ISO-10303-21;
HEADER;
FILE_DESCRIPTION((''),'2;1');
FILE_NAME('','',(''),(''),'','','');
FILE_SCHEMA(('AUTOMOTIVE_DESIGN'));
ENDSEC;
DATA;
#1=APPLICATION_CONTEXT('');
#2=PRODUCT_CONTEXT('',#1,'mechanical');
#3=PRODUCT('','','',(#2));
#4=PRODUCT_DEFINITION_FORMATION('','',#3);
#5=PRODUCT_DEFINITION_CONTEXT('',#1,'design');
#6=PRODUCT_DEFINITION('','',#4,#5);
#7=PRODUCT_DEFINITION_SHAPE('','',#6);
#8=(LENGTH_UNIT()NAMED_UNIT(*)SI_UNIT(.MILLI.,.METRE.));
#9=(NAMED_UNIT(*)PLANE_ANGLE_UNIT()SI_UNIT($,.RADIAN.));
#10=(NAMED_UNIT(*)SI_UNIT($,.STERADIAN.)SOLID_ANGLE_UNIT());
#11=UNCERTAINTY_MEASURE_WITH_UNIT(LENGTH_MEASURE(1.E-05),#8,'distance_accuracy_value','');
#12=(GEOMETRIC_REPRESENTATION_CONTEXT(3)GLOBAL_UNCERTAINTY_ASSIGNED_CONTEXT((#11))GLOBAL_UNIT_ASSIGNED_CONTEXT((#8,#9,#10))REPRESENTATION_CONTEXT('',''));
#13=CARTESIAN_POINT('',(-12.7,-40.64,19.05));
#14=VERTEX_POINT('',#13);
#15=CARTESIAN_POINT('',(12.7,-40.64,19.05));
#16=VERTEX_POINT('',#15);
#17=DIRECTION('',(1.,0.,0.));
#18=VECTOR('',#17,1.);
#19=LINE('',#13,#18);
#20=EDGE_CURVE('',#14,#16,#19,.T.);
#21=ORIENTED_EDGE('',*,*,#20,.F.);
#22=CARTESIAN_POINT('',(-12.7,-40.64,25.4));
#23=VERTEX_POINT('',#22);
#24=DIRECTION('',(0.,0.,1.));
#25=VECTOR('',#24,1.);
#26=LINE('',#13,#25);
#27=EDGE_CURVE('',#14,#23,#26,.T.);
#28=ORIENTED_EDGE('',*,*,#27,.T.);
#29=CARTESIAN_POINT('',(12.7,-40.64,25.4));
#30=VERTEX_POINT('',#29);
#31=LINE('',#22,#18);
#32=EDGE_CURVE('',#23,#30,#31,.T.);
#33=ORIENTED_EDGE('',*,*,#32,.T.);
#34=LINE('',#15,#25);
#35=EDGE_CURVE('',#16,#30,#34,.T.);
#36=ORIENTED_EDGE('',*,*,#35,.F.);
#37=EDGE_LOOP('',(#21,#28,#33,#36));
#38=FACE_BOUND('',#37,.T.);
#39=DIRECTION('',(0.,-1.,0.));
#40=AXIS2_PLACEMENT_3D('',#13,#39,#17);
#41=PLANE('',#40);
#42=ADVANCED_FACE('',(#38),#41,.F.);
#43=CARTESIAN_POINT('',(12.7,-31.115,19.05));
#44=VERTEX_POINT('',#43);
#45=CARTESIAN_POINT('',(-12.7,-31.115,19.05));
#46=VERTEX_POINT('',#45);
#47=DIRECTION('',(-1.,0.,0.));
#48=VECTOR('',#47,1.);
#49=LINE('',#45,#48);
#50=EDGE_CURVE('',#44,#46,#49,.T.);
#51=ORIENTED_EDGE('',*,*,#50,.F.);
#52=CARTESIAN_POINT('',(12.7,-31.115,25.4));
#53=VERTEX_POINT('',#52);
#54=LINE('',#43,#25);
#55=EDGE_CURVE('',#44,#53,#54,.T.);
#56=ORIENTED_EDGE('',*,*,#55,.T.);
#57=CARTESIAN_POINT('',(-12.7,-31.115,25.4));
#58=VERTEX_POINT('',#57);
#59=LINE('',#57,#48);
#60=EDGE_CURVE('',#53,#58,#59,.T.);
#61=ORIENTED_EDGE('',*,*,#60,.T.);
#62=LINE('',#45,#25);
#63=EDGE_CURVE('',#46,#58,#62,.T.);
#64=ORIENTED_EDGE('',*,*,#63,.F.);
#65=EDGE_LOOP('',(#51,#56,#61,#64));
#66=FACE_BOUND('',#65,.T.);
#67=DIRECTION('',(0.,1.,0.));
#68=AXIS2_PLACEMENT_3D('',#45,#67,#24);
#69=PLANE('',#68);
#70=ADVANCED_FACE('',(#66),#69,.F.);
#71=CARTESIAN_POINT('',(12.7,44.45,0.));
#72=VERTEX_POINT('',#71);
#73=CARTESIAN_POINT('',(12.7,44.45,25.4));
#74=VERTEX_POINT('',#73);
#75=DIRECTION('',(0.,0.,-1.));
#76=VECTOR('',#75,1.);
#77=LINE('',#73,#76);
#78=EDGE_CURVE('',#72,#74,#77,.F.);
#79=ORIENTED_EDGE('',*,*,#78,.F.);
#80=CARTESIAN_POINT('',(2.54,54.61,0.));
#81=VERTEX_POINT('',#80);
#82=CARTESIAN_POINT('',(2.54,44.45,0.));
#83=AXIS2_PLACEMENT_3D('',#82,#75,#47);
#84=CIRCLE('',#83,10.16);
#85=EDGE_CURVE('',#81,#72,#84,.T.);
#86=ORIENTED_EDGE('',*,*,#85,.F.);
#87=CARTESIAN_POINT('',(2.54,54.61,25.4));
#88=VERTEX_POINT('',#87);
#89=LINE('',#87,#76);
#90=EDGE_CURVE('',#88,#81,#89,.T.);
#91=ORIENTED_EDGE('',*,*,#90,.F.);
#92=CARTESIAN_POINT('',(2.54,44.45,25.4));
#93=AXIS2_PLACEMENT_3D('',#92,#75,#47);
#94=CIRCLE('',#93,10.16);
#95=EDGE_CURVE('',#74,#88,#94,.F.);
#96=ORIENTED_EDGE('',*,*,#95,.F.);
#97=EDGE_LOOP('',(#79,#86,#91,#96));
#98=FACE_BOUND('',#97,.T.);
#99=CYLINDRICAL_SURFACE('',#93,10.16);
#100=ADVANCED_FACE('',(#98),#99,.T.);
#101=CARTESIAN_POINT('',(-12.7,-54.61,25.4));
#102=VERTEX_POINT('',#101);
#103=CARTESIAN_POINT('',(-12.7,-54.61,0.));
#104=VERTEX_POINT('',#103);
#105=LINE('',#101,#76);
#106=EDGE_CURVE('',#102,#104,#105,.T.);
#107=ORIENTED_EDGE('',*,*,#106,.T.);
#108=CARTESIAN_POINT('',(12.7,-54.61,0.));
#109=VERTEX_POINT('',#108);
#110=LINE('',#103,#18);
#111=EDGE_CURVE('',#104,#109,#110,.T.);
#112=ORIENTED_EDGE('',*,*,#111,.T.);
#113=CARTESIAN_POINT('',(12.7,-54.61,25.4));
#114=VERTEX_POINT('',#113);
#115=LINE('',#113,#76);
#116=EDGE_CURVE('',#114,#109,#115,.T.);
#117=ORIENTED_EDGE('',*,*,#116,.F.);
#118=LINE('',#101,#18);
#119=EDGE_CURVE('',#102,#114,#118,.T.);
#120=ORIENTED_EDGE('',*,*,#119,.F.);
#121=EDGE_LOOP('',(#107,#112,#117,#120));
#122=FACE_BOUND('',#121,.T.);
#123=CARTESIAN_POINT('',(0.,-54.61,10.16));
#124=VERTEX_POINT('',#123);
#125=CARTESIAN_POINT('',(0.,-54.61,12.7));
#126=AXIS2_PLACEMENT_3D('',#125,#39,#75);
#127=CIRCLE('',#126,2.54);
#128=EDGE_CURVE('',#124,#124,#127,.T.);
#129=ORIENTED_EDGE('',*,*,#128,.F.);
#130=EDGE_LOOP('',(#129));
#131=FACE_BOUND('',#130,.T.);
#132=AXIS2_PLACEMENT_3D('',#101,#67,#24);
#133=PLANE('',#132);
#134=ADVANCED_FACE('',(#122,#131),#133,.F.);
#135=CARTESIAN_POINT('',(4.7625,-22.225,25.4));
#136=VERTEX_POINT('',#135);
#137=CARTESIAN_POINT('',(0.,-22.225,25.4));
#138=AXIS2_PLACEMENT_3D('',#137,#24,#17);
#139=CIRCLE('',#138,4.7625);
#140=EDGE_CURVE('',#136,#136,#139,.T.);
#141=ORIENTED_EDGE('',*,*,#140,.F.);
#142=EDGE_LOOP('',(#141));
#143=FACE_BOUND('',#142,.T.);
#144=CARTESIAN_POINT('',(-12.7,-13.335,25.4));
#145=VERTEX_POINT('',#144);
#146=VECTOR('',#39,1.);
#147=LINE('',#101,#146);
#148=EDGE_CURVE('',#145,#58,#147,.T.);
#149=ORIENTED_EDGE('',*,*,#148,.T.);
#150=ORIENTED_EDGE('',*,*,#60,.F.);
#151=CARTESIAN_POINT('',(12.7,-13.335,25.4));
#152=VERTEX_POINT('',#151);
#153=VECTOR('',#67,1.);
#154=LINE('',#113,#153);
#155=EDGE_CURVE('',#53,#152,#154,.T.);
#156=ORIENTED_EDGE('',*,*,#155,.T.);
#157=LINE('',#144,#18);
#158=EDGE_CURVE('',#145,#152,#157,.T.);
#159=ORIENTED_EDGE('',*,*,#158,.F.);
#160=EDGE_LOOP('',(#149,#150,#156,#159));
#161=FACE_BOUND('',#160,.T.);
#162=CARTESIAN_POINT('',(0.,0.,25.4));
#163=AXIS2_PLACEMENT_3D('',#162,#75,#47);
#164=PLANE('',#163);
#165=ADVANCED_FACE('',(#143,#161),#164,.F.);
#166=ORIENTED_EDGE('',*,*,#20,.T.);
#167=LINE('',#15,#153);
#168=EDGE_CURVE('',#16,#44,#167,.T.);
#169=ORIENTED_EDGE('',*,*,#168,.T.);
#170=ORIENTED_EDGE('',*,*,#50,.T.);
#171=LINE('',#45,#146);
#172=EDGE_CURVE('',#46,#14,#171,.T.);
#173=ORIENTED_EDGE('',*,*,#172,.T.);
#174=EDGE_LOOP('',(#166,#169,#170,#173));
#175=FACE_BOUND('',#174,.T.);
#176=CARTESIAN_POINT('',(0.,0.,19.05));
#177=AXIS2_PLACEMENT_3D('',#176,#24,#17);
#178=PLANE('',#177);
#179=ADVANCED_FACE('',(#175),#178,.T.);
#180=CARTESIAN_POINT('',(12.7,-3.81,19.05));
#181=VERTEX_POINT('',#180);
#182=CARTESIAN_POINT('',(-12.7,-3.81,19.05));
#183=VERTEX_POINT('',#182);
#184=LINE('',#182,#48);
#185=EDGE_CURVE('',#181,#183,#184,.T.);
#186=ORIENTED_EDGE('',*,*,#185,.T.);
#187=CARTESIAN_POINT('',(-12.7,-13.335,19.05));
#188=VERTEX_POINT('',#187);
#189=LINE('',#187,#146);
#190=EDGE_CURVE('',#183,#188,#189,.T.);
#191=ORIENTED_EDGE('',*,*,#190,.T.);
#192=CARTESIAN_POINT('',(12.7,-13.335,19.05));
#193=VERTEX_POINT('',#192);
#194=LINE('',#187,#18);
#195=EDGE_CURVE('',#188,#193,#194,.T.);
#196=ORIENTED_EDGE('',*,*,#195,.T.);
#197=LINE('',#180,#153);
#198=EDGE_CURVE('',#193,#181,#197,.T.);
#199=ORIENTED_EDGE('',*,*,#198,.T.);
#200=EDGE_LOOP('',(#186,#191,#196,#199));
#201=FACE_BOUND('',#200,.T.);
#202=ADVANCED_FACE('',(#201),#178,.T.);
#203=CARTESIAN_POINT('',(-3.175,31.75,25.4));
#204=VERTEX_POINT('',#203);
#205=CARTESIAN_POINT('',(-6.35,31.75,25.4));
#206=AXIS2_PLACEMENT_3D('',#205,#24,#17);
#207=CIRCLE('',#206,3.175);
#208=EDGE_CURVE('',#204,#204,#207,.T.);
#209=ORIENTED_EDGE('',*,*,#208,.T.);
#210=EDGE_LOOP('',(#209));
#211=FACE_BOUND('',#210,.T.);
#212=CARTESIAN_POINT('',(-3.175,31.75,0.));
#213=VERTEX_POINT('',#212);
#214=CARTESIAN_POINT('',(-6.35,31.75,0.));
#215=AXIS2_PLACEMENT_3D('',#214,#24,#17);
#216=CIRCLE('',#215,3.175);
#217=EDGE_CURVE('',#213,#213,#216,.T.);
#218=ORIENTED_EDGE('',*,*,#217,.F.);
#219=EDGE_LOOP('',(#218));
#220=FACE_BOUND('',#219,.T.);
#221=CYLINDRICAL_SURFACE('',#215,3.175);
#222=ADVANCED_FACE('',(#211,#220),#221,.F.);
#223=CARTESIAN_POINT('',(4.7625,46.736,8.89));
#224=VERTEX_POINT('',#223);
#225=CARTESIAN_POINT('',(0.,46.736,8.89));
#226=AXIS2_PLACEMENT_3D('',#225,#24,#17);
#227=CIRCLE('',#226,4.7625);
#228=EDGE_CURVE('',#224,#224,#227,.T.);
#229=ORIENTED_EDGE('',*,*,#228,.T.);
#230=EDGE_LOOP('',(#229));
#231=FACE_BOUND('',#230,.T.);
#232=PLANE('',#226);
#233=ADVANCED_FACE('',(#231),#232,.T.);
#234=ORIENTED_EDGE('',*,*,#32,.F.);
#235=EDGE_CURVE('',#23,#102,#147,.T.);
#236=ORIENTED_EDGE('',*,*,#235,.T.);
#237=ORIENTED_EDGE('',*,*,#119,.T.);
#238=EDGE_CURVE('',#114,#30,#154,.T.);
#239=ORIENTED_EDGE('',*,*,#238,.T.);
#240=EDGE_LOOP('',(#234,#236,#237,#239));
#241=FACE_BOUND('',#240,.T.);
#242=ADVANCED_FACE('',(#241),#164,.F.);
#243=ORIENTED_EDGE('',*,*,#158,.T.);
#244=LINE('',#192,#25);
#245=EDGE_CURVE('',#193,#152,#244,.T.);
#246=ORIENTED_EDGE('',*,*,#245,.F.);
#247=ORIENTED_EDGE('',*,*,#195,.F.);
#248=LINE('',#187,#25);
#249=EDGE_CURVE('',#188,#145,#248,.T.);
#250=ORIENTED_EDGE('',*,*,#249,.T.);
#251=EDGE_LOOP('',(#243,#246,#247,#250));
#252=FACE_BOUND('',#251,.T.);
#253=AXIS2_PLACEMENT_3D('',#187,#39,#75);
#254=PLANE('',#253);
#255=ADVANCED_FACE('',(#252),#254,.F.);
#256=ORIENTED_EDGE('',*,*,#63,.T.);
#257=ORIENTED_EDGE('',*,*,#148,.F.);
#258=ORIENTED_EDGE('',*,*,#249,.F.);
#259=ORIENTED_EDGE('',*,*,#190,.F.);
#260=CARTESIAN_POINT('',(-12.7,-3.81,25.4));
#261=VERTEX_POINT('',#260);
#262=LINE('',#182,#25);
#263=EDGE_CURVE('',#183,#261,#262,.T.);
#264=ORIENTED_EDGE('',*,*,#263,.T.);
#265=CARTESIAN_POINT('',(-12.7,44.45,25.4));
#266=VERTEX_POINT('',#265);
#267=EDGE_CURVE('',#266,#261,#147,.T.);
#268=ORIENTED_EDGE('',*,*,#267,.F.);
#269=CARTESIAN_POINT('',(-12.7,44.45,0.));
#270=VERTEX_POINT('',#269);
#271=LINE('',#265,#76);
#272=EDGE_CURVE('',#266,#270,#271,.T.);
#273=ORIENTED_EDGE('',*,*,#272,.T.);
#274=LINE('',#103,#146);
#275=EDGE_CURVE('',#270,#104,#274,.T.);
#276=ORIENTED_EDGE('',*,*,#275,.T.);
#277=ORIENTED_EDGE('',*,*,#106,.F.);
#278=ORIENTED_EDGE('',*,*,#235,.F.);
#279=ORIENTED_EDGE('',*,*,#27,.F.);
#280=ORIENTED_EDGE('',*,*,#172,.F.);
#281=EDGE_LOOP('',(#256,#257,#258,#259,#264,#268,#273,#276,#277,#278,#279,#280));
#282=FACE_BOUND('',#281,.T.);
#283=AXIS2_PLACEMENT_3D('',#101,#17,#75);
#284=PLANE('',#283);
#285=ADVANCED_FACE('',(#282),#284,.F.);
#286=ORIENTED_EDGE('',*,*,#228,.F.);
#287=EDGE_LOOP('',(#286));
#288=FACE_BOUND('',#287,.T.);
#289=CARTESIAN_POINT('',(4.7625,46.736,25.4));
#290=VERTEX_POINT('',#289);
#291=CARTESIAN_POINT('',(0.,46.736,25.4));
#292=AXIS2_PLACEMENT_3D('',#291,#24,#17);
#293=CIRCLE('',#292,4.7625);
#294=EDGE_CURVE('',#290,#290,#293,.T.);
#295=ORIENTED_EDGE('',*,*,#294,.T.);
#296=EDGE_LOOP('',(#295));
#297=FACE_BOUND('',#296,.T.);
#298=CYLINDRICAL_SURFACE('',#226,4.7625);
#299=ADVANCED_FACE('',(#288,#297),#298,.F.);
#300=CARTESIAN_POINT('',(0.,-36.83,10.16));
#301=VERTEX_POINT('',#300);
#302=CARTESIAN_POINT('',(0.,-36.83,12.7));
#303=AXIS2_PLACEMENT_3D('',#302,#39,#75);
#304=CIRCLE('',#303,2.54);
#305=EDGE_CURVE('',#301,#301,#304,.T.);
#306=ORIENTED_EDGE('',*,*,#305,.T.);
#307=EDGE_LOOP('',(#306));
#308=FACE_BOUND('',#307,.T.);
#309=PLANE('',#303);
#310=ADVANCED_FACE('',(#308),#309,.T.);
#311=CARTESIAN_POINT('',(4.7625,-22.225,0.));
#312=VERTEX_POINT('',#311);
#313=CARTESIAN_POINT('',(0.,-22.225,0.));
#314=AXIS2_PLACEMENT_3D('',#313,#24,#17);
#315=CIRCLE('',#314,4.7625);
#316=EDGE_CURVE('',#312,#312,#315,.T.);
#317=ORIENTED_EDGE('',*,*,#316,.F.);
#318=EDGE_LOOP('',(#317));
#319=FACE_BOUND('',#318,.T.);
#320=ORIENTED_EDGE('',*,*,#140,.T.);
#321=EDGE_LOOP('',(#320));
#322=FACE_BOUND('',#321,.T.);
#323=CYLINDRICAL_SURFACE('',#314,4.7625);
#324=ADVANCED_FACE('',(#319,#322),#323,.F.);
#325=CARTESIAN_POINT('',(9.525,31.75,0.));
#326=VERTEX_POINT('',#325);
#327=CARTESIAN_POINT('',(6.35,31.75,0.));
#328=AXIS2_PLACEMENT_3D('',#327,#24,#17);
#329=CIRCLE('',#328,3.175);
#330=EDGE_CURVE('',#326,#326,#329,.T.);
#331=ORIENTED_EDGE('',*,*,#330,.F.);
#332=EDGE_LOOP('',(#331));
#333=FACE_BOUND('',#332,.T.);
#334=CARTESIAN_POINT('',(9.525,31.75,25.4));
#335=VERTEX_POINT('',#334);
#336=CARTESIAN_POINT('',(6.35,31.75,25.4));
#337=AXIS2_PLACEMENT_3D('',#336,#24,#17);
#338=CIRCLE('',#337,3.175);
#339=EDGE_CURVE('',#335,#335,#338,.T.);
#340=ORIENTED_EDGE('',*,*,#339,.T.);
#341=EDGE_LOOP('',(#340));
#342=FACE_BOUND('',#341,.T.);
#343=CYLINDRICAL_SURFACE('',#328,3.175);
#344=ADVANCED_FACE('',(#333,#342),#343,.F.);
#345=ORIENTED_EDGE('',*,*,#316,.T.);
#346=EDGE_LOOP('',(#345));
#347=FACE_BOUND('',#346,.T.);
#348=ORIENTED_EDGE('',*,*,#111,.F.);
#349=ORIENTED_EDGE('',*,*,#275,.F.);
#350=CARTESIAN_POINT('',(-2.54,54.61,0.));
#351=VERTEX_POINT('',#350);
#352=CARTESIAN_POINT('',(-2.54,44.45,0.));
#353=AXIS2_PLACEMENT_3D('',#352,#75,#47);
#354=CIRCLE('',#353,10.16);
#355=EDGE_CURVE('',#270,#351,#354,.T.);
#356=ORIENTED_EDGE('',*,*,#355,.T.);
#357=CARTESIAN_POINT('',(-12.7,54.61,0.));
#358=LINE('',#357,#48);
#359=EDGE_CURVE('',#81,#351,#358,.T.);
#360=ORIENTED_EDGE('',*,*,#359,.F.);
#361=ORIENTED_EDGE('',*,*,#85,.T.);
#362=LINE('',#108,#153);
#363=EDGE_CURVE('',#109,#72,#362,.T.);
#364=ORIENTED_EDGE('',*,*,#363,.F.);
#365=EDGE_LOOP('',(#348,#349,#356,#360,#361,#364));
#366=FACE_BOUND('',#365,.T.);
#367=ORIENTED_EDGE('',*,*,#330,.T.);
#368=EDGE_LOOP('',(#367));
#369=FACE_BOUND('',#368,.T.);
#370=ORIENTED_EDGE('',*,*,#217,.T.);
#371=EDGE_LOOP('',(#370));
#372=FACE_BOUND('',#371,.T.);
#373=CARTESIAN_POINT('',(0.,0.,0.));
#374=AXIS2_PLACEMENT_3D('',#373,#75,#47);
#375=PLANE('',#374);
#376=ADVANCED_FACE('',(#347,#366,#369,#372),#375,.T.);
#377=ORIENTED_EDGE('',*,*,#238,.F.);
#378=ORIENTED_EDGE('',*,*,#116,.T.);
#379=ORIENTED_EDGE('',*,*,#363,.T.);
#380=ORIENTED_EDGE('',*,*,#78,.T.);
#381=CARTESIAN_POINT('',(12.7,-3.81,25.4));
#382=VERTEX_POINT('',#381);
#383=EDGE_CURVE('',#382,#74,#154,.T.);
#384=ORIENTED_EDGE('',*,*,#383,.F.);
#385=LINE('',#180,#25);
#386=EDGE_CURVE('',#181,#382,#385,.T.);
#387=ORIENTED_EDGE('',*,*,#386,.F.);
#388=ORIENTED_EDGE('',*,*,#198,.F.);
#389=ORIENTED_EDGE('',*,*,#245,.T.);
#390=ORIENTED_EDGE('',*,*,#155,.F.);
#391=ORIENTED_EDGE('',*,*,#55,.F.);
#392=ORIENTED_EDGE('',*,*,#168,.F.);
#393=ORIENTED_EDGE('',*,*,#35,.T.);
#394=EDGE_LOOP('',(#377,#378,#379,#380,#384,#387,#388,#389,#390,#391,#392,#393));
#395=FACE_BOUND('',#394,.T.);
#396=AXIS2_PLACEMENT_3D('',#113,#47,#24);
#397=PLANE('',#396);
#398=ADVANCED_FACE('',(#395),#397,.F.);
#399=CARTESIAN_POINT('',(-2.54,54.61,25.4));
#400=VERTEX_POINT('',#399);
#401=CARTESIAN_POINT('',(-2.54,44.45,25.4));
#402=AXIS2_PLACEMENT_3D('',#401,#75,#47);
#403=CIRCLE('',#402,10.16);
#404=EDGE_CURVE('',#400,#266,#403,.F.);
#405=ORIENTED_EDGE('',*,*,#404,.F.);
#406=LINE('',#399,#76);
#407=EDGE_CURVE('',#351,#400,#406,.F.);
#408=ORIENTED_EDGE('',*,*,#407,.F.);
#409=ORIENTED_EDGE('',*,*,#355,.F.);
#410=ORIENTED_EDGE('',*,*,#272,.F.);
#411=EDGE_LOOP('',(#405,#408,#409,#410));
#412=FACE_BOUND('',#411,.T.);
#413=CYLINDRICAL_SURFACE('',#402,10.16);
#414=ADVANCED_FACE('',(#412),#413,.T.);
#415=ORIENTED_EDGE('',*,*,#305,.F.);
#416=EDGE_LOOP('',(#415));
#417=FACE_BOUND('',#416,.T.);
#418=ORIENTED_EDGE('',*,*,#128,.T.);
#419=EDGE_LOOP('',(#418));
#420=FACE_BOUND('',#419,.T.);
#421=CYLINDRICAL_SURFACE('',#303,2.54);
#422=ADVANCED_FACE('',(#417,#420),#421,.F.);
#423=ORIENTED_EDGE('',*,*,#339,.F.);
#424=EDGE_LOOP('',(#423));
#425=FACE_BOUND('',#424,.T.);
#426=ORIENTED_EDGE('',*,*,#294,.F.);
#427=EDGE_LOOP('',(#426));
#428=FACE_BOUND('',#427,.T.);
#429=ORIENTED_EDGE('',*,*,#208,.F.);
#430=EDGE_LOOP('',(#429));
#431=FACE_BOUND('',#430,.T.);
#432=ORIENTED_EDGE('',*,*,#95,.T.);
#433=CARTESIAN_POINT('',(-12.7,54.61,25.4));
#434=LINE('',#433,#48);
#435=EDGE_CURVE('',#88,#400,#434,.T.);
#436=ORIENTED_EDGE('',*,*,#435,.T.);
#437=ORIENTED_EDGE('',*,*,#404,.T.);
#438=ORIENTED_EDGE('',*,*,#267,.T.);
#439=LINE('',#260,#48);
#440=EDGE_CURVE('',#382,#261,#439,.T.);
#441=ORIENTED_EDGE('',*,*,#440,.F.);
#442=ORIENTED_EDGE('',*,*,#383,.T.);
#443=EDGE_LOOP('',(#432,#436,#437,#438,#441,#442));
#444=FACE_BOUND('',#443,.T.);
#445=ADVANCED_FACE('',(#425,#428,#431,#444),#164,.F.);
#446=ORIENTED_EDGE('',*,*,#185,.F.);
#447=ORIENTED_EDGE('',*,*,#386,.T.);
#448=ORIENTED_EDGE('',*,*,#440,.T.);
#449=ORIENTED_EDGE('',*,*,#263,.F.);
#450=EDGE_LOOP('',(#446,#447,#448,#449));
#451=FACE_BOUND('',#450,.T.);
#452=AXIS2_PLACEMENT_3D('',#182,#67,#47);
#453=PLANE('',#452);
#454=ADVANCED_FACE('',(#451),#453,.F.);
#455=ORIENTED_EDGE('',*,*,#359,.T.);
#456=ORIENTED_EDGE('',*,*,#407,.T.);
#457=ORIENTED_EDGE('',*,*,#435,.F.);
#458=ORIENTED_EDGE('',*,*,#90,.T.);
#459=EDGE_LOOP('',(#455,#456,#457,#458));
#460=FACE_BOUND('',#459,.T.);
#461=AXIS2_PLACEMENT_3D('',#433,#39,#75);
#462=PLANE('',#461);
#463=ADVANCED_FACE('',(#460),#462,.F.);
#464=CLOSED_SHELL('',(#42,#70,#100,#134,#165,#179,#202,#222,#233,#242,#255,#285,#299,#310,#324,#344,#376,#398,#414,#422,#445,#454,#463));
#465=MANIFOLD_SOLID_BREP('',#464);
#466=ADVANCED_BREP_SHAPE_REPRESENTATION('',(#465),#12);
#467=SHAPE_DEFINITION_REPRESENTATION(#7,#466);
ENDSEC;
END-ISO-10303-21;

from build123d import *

# Parameters (mm, degrees)
SKETCH2_W           = 25.4
SKETCH2_H           = 109.22
BOSS_EXTRUDE1_DEPTH = 25.4
SKETCH3_R           = 4.7625
SKETCH3_R_2         = 3.175
CUT_EXTRUDE1_DEPTH  = 25.4
SKETCH4_W           = 25.4
SKETCH4_H           = 9.525
CUT_EXTRUDE2_DEPTH  = 6.35
SKETCH5_R           = 4.7625
CUT_EXTRUDE3_DEPTH  = 16.51
SKETCH6_R           = 2.54
CUT_EXTRUDE4_DEPTH  = 17.78
FILLET1_R           = 10.16


with BuildPart() as part:
    # Sketch2 → Boss-Extrude1 (new body)
    with BuildSketch(Plane.XY):
        Rectangle(SKETCH2_W, SKETCH2_H)
    extrude(amount=BOSS_EXTRUDE1_DEPTH)

    # Sketch3 → Cut-Extrude1 (cut)
    with BuildSketch(Plane.XY.offset(25.4)):
        with Locations((0, -22.225)):
            Circle(SKETCH3_R)
        with Locations((6.35, 31.75)):
            Circle(SKETCH3_R_2)
        with Locations((-6.35, 31.75)):
            Circle(SKETCH3_R_2)
    extrude(amount=-CUT_EXTRUDE1_DEPTH, mode=Mode.SUBTRACT)

    # Sketch4 → Cut-Extrude2 (cut)
    with BuildSketch(Plane.XY.offset(25.4)):
        with Locations((0, -8.5725)):
            Rectangle(SKETCH4_W, SKETCH4_H)
        with Locations((0, -35.8775)):
            Rectangle(SKETCH4_W, SKETCH4_H)
    extrude(amount=-CUT_EXTRUDE2_DEPTH, mode=Mode.SUBTRACT)

    # Sketch5 → Cut-Extrude3 (cut)
    with BuildSketch(Plane.XY.offset(25.4)):
        with Locations((0, 46.736)):
            Circle(SKETCH5_R)
    extrude(amount=-CUT_EXTRUDE3_DEPTH, mode=Mode.SUBTRACT)

    # Sketch6 → Cut-Extrude4 (cut)
    with BuildSketch(Plane.XZ.offset(54.61)):
        with Locations((0, 12.7)):
            Circle(SKETCH6_R)
    extrude(amount=-CUT_EXTRUDE4_DEPTH, mode=Mode.SUBTRACT)

    # Fillet1
    fillet1_edges = [part.edges().sort_by_distance(p)[0] for p in [
        (-12.7, 54.61, 12.7),
        (12.7, 54.61, 12.7),
    ]]
    fillet(fillet1_edges, radius=FILLET1_R)


solid = part.part
